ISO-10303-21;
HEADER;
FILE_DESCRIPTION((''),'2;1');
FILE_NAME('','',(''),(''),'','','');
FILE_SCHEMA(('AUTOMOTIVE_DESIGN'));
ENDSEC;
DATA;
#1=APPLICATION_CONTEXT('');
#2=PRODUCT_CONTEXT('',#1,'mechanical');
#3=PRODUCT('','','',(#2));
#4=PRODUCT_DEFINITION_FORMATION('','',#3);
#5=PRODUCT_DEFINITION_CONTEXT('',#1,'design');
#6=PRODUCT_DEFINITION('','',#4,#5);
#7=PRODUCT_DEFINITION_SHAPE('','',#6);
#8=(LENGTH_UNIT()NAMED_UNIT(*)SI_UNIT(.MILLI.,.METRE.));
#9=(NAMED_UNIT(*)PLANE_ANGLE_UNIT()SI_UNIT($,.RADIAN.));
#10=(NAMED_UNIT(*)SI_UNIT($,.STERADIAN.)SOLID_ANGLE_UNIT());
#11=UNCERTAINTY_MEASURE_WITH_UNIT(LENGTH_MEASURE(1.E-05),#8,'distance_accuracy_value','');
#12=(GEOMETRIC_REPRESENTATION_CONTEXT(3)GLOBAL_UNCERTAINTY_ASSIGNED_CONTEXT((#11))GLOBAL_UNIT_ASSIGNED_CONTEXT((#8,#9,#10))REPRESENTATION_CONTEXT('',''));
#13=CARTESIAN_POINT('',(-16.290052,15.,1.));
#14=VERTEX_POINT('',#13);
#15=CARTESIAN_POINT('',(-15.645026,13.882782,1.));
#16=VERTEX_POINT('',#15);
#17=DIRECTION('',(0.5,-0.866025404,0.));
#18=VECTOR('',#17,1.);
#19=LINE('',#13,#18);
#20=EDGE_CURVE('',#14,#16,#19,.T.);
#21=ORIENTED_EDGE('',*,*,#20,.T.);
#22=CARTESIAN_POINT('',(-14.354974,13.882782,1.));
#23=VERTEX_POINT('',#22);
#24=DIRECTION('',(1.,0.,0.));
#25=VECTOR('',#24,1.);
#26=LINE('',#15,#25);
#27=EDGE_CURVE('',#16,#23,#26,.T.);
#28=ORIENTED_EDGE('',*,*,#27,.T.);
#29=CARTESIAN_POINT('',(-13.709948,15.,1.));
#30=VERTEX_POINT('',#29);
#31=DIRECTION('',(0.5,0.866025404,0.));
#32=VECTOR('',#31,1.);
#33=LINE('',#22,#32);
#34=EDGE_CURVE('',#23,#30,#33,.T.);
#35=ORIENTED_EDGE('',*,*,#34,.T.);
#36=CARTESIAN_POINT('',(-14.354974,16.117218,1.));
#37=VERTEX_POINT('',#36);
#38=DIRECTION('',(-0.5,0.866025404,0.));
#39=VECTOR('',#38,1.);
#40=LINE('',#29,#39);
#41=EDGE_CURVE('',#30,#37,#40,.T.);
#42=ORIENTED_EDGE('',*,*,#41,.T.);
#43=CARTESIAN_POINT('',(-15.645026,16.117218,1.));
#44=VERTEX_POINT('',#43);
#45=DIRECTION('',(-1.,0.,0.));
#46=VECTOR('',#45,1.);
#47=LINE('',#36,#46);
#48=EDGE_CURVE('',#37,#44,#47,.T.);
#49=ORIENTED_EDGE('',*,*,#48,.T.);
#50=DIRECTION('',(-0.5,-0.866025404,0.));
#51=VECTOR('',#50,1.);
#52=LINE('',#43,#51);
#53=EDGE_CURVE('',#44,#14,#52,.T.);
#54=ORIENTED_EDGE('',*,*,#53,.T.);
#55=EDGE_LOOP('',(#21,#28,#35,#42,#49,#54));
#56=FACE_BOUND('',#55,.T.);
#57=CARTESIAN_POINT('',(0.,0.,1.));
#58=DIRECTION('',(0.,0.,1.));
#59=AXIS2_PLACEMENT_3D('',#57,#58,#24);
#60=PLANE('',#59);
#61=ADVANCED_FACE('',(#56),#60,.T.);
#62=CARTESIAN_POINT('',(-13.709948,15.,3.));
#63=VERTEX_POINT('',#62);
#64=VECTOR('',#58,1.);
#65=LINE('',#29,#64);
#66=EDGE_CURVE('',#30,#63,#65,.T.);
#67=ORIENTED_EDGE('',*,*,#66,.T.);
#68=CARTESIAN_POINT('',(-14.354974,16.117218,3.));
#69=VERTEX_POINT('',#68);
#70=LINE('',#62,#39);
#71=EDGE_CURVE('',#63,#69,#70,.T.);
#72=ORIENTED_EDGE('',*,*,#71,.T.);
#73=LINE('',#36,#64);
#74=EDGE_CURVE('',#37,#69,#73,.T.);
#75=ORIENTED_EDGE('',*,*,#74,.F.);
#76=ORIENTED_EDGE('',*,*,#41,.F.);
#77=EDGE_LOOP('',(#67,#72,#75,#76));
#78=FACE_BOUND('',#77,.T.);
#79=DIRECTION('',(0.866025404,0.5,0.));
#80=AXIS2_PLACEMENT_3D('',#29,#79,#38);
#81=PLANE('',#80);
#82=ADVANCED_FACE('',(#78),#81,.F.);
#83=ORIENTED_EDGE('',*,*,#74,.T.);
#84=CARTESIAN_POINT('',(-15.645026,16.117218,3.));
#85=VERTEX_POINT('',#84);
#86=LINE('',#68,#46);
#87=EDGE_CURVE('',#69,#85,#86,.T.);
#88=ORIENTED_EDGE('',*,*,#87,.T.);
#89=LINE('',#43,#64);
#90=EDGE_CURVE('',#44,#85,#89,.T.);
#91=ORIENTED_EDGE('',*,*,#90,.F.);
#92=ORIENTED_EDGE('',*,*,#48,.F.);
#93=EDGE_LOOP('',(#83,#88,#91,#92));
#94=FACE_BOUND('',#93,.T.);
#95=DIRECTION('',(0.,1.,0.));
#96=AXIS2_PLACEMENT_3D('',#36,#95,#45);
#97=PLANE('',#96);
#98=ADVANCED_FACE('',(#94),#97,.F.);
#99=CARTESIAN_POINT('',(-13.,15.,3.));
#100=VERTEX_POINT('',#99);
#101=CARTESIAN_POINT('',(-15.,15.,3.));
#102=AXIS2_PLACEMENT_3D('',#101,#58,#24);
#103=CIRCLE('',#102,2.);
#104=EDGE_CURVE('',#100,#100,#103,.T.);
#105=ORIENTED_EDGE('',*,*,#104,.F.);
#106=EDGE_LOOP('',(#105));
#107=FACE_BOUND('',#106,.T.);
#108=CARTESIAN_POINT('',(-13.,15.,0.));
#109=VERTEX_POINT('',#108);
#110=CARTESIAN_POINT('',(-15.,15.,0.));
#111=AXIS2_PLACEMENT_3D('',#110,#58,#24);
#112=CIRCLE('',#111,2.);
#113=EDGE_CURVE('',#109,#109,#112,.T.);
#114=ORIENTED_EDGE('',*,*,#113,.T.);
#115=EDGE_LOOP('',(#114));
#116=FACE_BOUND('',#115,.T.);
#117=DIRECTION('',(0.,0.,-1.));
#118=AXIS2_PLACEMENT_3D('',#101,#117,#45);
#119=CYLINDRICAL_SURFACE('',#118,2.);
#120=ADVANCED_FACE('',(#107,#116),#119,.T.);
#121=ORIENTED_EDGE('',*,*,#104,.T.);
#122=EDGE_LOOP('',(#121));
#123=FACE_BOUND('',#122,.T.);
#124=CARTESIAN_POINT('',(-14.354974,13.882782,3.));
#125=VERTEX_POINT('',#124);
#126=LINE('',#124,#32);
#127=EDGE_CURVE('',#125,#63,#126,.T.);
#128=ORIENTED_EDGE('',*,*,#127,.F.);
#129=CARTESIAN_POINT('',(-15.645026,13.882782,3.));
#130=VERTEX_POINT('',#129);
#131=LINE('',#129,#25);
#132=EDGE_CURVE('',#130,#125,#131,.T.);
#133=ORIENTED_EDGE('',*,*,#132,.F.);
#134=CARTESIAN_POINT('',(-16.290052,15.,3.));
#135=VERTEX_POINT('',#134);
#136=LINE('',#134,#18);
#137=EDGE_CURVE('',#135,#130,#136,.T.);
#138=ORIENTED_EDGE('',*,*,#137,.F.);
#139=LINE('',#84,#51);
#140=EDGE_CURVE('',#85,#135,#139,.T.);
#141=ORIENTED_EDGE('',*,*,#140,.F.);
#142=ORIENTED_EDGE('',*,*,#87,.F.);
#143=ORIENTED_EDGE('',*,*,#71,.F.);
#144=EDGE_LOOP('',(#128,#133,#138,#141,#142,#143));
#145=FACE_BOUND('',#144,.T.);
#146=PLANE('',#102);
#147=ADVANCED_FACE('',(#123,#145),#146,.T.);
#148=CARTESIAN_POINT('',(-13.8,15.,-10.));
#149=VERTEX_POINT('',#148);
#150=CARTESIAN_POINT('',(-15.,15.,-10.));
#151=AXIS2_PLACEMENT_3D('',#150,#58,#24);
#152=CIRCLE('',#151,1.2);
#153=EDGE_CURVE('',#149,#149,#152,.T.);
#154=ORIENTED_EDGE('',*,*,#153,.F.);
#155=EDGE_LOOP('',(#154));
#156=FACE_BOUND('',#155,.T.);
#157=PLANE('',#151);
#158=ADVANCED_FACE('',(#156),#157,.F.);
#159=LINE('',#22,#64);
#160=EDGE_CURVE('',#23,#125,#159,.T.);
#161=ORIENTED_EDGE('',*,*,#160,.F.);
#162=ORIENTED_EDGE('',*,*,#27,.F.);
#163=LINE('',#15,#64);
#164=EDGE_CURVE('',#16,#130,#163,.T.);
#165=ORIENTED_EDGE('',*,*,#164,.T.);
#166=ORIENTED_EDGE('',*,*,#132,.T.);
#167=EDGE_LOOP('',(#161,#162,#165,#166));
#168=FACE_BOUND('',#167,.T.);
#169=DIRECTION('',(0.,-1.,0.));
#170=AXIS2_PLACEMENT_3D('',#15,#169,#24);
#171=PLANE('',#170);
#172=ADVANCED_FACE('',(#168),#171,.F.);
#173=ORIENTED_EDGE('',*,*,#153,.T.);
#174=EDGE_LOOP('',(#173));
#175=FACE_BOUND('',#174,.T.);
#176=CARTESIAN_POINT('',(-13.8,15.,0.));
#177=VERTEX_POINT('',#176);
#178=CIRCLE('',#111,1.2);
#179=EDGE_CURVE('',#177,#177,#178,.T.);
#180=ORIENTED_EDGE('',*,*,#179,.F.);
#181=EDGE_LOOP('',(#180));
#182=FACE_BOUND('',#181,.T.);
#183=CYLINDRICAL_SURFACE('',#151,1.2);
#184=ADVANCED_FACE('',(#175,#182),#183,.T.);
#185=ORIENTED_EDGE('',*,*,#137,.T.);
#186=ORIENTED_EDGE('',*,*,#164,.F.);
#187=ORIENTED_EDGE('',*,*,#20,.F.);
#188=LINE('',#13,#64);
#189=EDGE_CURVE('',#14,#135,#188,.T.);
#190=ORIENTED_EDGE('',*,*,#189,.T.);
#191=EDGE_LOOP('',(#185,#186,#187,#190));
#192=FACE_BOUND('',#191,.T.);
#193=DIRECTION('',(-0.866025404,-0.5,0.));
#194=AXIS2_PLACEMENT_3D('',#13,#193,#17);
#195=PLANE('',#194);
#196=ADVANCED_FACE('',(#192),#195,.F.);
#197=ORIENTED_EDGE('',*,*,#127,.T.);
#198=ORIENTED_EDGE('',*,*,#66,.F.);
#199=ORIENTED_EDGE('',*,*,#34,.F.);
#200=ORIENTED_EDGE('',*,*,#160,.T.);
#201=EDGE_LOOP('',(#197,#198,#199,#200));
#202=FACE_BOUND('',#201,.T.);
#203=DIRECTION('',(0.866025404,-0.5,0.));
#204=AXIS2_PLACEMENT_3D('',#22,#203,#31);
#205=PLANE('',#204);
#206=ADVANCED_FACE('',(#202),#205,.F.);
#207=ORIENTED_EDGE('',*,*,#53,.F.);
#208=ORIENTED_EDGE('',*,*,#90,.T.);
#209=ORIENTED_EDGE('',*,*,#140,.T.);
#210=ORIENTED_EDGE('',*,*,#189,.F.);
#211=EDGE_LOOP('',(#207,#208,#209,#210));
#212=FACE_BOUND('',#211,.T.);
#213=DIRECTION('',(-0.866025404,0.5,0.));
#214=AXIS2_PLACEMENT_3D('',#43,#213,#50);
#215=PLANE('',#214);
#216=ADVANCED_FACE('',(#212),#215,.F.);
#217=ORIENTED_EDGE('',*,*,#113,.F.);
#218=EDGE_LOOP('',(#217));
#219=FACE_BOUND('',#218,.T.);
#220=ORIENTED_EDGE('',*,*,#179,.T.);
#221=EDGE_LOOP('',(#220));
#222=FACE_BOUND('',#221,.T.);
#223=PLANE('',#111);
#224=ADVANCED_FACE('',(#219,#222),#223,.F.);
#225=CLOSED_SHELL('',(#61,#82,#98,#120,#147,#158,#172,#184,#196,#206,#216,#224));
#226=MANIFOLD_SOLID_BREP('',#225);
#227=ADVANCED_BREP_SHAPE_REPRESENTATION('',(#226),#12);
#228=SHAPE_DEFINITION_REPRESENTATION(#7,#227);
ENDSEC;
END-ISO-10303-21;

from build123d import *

# Parameters (mm, degrees)
SKETCH1_R           = 1.2
BOSS_EXTRUDE1_DEPTH = 10
SKETCH2_R           = 2
BOSS_EXTRUDE2_DEPTH = 3
CUT_EXTRUDE1_DEPTH  = 2


with BuildPart() as part:
    # Sketch1 → Boss-Extrude1 (new body)
    with BuildSketch(Plane.XY):
        with Locations((-15, 15)):
            Circle(SKETCH1_R)
    extrude(amount=-BOSS_EXTRUDE1_DEPTH)

    # Sketch2 → Boss-Extrude2 (add)
    with BuildSketch(Plane.XY):
        with Locations((-15, 15)):
            Circle(SKETCH2_R)
    extrude(amount=BOSS_EXTRUDE2_DEPTH)

    # Sketch3 → Cut-Extrude1 (cut)
    with BuildSketch(Plane.XY.offset(3)):
        Polygon((-13.709947687, 15), (-14.354973843, 16.117218076), (-15.645026157, 16.117218076), (-16.290052313, 15), (-15.645026157, 13.882781924), (-14.354973843, 13.882781924), align=None)
    extrude(amount=-CUT_EXTRUDE1_DEPTH, mode=Mode.SUBTRACT)


solid = part.part
